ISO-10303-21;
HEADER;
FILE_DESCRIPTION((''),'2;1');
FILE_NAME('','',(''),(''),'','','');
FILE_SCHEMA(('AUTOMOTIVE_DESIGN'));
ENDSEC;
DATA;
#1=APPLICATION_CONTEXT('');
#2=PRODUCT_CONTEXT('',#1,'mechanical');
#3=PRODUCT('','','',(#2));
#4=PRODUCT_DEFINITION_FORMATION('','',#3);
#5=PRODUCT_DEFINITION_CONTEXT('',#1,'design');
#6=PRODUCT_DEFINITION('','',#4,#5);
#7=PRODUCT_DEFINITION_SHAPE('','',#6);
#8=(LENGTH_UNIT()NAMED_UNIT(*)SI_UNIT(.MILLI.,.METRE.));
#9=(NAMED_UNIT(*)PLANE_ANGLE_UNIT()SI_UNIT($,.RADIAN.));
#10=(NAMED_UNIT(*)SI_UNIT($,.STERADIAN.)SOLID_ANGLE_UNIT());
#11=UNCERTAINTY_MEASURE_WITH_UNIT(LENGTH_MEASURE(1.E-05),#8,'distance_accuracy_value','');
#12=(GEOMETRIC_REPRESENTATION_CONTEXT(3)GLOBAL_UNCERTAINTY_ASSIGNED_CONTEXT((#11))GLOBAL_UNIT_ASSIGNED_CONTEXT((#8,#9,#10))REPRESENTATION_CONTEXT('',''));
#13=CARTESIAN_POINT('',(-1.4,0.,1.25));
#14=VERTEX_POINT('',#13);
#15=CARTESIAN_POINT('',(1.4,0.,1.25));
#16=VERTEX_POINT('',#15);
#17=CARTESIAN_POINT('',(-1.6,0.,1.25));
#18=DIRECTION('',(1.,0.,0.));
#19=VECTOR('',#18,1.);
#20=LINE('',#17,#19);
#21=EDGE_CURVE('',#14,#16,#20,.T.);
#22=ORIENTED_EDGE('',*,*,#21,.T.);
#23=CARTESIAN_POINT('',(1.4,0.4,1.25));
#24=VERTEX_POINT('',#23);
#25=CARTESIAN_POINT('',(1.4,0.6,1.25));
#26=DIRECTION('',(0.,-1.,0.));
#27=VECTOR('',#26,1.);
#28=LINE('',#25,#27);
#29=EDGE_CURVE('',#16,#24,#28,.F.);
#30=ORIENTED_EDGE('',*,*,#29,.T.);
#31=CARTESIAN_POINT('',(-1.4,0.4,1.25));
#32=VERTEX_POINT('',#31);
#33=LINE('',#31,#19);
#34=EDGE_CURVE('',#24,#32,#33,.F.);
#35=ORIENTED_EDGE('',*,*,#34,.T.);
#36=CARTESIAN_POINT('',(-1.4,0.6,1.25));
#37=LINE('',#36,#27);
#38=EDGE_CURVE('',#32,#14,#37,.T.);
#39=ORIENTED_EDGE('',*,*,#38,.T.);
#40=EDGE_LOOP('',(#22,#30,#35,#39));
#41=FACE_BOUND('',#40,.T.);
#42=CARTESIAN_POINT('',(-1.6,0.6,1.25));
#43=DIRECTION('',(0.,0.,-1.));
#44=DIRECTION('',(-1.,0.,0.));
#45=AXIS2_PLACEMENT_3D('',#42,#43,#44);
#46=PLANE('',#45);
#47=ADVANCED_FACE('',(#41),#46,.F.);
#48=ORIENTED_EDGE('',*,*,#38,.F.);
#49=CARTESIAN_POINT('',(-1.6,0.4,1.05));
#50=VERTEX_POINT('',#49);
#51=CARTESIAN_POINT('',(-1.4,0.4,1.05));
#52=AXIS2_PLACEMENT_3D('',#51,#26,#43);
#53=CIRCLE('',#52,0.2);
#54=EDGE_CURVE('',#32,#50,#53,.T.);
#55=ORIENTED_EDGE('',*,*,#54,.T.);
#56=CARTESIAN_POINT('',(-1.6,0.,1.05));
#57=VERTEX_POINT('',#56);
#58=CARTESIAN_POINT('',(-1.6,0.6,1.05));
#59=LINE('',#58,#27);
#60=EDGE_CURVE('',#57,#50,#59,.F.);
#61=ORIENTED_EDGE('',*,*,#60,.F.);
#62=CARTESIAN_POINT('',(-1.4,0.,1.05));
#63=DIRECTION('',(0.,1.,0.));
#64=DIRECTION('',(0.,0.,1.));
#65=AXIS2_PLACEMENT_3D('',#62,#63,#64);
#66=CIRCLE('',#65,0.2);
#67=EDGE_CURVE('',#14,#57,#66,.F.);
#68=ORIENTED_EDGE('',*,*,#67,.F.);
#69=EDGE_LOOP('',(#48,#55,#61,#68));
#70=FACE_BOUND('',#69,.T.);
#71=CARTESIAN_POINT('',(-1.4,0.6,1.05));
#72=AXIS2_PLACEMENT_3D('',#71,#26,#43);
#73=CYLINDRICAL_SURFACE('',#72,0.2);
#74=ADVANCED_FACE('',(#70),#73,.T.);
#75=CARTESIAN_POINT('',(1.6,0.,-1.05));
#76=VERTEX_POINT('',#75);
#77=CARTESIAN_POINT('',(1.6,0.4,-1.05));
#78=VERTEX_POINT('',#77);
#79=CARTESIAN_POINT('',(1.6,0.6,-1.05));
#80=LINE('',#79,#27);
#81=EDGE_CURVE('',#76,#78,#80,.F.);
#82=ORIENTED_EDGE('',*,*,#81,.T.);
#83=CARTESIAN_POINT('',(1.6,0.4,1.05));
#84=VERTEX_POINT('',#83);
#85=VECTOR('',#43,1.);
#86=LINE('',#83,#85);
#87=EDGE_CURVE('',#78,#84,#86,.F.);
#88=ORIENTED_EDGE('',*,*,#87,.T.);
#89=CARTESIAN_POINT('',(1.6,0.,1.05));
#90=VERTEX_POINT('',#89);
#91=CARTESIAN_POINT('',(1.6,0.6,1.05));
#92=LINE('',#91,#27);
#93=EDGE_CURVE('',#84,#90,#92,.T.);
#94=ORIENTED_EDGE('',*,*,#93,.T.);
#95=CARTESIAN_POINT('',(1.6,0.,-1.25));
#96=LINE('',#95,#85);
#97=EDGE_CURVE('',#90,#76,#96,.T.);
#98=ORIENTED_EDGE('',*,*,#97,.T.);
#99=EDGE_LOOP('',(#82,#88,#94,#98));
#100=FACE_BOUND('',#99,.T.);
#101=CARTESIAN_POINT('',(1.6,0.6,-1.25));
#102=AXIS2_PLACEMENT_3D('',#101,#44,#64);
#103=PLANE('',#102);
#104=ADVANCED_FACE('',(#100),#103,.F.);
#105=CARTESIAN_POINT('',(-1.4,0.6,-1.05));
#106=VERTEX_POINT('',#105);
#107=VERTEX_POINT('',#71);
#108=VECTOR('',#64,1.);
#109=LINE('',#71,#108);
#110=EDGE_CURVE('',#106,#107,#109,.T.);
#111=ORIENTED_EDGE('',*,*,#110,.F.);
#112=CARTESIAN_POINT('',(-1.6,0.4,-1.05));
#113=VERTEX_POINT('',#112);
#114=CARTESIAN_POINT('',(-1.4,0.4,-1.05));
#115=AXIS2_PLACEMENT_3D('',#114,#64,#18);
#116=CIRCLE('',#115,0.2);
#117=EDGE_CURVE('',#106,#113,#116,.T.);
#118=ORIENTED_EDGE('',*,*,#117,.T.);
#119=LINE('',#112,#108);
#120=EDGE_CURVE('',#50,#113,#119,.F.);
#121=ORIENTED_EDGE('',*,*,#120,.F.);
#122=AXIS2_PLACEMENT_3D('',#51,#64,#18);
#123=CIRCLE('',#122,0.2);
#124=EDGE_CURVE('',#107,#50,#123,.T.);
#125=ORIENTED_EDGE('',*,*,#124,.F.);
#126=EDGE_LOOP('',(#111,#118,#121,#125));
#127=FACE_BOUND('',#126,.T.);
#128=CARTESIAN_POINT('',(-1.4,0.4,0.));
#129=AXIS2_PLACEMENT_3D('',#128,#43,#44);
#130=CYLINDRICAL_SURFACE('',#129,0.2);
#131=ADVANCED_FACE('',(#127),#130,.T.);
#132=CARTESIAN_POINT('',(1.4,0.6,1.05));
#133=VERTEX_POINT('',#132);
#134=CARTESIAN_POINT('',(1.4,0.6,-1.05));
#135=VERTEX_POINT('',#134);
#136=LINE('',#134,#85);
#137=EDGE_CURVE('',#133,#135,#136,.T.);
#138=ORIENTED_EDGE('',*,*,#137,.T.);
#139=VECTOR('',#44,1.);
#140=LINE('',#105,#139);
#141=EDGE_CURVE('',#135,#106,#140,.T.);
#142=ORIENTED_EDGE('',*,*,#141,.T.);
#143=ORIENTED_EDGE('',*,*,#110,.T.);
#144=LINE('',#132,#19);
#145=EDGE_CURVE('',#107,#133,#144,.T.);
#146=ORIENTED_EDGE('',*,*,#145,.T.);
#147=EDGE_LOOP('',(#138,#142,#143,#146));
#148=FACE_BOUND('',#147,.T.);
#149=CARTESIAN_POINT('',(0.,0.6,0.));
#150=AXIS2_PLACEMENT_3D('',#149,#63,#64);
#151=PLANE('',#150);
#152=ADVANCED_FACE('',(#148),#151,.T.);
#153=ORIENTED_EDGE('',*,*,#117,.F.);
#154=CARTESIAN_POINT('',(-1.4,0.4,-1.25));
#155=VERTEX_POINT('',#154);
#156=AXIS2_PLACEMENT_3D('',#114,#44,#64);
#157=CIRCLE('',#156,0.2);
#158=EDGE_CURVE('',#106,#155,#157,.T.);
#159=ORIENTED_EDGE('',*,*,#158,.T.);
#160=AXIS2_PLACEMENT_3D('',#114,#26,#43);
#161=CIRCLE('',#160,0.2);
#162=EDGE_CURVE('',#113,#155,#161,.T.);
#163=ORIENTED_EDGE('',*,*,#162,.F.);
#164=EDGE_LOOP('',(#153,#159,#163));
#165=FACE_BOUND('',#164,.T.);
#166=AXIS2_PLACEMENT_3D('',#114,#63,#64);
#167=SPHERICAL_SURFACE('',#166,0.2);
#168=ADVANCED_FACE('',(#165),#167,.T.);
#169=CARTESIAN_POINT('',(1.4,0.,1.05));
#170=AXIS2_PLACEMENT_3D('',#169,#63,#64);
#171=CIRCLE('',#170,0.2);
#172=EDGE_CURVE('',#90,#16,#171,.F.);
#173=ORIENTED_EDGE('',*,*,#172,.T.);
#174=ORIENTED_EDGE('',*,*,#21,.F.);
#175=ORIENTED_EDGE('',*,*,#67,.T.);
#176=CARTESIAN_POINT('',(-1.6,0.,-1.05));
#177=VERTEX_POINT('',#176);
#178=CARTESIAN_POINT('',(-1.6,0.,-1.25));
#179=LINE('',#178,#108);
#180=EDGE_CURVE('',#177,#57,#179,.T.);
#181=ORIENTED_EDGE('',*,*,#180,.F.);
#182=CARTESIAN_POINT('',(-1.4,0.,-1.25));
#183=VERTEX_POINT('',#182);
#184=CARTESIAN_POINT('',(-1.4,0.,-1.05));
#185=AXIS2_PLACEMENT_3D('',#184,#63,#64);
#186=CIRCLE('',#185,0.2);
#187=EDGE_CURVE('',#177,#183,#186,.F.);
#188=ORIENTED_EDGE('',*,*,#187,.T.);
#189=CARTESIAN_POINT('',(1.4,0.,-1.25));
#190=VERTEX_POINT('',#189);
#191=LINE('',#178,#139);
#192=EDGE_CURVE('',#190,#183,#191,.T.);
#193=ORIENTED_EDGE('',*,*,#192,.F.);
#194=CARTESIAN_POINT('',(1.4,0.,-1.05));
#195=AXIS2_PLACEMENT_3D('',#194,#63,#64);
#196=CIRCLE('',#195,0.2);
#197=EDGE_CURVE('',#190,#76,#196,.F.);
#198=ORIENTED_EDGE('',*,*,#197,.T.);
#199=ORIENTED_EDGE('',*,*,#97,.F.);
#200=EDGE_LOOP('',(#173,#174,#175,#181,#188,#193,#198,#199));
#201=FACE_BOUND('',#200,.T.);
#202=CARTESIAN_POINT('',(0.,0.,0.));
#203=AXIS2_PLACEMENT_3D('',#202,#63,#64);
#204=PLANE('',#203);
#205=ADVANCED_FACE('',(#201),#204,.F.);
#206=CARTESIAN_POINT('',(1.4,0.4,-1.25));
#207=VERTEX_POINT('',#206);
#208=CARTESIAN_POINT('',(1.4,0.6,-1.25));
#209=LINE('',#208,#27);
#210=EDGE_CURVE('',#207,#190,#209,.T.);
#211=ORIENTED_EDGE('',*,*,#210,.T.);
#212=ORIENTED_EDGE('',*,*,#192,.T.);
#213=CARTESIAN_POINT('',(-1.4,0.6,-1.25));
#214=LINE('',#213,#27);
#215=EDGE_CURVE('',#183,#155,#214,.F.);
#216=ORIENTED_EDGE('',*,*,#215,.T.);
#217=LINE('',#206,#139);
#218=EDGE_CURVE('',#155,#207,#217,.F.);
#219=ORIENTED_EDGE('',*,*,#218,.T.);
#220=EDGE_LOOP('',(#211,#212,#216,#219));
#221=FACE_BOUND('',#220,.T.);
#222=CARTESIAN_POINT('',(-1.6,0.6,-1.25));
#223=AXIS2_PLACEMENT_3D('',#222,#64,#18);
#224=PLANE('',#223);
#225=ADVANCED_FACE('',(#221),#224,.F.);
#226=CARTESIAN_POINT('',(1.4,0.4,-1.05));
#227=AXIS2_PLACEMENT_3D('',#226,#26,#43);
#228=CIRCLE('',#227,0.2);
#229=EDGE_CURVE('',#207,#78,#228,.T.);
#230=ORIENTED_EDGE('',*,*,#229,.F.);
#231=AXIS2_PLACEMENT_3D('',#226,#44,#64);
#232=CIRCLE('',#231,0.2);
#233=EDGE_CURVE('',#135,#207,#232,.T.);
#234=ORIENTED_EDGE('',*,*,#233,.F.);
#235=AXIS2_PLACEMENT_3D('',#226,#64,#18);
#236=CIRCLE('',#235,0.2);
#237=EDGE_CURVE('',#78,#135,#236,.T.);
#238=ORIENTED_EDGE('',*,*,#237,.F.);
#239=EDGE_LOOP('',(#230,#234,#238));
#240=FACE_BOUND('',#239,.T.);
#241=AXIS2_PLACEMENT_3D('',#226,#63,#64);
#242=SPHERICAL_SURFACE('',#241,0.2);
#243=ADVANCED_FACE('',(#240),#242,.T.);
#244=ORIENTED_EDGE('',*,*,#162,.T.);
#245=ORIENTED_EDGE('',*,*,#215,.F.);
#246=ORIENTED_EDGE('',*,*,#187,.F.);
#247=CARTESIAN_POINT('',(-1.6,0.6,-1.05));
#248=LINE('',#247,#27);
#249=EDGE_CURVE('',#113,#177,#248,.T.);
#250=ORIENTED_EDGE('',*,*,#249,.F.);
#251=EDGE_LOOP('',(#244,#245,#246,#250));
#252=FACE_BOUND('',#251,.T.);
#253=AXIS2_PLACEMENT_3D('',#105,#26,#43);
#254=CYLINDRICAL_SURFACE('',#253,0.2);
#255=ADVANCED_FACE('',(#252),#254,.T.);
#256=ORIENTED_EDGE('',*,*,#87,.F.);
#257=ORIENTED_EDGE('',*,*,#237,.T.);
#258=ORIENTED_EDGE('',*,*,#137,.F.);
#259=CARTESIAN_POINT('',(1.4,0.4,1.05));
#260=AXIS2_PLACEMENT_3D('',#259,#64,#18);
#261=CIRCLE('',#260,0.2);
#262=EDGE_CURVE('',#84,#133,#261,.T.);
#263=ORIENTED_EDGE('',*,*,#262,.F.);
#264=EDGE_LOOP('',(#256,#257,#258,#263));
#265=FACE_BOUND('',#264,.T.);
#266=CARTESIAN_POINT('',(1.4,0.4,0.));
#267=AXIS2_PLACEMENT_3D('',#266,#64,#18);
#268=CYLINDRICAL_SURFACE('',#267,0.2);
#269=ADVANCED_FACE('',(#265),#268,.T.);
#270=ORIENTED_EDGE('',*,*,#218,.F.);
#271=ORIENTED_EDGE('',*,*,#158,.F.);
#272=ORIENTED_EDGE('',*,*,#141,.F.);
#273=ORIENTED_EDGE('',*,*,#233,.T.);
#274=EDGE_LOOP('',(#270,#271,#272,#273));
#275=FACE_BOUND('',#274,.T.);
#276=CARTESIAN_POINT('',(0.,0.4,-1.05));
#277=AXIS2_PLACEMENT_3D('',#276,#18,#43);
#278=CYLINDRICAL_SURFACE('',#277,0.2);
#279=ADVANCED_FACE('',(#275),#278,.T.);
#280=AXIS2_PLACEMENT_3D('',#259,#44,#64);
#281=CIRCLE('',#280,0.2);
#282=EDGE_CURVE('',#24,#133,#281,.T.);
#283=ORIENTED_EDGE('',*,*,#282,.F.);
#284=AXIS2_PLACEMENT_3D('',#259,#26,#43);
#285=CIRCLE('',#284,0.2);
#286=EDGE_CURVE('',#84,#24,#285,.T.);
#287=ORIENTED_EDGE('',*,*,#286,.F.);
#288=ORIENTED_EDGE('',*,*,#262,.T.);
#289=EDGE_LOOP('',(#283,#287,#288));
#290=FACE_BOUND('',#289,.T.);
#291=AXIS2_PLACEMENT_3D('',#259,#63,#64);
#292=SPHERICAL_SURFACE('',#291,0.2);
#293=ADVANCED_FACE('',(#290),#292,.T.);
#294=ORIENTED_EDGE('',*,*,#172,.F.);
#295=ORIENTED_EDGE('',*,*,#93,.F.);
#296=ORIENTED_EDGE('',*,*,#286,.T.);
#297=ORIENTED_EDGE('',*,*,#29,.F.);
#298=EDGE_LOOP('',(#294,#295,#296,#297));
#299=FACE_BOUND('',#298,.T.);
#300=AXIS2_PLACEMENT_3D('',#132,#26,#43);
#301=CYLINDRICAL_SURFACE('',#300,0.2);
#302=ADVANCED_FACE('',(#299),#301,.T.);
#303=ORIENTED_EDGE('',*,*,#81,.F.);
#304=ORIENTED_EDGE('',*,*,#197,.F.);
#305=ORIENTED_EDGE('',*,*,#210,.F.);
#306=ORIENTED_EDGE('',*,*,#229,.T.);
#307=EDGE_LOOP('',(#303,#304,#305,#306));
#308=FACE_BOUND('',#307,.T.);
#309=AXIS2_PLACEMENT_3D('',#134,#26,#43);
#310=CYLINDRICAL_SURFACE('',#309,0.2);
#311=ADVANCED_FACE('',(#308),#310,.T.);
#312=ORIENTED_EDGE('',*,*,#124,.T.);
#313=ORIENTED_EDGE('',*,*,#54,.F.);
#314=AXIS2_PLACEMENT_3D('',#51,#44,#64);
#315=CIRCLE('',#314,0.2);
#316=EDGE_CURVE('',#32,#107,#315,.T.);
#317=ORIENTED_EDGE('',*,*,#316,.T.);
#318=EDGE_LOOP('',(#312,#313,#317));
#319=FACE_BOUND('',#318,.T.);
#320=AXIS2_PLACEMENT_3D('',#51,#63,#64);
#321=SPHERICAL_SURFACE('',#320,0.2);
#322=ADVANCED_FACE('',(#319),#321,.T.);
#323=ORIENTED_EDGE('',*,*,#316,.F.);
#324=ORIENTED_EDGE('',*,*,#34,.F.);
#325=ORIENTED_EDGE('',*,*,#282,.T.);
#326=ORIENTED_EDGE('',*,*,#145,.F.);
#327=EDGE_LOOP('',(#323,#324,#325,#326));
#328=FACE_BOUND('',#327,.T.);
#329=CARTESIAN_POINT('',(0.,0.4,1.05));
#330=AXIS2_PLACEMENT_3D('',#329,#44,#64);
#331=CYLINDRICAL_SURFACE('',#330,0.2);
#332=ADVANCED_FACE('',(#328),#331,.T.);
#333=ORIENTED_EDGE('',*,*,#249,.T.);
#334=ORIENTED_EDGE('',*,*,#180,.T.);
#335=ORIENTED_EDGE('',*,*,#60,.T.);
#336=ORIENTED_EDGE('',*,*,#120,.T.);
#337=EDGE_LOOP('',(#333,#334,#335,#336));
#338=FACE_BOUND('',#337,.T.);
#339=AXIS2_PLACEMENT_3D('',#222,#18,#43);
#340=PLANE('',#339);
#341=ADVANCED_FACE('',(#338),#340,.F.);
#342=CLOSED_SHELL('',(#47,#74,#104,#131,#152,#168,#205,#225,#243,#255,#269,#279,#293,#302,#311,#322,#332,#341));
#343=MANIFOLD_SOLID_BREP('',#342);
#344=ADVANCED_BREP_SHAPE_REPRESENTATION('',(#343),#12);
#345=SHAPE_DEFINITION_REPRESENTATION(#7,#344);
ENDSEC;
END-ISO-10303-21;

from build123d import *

# Parameters (mm, degrees)
BASES_W    = 3.2
BASES_H    = 2.5
BASE_DEPTH = 0.6
SIDEF_R    = 0.2
TOPF_R     = 0.2


with BuildPart() as part:
    # BaseS → Base (new body)
    with BuildSketch(Plane(origin=(0, 0, 0), x_dir=(1, 0, 0), z_dir=(0, 1, 0))):
        Rectangle(BASES_W, BASES_H)
    extrude(amount=BASE_DEPTH)

    # SideF
    sidef_edges = [part.edges().sort_by_distance(p)[0] for p in [
        (1.6, 0.3, 1.25),
        (-1.6, 0.3, 1.25),
        (-1.6, 0.3, -1.25),
        (1.6, 0.3, -1.25),
    ]]
    fillet(sidef_edges, radius=SIDEF_R)

    # TopF
    topf_edges = [part.edges().sort_by_distance(p)[0] for p in [
        (1.6, 0.6, 0),
        (0, 0.6, 1.25),
        (0, 0.6, -1.25),
        (-1.6, 0.6, 0),
        (-1.541421356, 0.6, -1.191421356),
        (-1.541421356, 0.6, 1.191421356),
        (1.541421356, 0.6, -1.191421356),
        (1.541421356, 0.6, 1.191421356),
    ]]
    fillet(topf_edges, radius=TOPF_R)


solid = part.part
